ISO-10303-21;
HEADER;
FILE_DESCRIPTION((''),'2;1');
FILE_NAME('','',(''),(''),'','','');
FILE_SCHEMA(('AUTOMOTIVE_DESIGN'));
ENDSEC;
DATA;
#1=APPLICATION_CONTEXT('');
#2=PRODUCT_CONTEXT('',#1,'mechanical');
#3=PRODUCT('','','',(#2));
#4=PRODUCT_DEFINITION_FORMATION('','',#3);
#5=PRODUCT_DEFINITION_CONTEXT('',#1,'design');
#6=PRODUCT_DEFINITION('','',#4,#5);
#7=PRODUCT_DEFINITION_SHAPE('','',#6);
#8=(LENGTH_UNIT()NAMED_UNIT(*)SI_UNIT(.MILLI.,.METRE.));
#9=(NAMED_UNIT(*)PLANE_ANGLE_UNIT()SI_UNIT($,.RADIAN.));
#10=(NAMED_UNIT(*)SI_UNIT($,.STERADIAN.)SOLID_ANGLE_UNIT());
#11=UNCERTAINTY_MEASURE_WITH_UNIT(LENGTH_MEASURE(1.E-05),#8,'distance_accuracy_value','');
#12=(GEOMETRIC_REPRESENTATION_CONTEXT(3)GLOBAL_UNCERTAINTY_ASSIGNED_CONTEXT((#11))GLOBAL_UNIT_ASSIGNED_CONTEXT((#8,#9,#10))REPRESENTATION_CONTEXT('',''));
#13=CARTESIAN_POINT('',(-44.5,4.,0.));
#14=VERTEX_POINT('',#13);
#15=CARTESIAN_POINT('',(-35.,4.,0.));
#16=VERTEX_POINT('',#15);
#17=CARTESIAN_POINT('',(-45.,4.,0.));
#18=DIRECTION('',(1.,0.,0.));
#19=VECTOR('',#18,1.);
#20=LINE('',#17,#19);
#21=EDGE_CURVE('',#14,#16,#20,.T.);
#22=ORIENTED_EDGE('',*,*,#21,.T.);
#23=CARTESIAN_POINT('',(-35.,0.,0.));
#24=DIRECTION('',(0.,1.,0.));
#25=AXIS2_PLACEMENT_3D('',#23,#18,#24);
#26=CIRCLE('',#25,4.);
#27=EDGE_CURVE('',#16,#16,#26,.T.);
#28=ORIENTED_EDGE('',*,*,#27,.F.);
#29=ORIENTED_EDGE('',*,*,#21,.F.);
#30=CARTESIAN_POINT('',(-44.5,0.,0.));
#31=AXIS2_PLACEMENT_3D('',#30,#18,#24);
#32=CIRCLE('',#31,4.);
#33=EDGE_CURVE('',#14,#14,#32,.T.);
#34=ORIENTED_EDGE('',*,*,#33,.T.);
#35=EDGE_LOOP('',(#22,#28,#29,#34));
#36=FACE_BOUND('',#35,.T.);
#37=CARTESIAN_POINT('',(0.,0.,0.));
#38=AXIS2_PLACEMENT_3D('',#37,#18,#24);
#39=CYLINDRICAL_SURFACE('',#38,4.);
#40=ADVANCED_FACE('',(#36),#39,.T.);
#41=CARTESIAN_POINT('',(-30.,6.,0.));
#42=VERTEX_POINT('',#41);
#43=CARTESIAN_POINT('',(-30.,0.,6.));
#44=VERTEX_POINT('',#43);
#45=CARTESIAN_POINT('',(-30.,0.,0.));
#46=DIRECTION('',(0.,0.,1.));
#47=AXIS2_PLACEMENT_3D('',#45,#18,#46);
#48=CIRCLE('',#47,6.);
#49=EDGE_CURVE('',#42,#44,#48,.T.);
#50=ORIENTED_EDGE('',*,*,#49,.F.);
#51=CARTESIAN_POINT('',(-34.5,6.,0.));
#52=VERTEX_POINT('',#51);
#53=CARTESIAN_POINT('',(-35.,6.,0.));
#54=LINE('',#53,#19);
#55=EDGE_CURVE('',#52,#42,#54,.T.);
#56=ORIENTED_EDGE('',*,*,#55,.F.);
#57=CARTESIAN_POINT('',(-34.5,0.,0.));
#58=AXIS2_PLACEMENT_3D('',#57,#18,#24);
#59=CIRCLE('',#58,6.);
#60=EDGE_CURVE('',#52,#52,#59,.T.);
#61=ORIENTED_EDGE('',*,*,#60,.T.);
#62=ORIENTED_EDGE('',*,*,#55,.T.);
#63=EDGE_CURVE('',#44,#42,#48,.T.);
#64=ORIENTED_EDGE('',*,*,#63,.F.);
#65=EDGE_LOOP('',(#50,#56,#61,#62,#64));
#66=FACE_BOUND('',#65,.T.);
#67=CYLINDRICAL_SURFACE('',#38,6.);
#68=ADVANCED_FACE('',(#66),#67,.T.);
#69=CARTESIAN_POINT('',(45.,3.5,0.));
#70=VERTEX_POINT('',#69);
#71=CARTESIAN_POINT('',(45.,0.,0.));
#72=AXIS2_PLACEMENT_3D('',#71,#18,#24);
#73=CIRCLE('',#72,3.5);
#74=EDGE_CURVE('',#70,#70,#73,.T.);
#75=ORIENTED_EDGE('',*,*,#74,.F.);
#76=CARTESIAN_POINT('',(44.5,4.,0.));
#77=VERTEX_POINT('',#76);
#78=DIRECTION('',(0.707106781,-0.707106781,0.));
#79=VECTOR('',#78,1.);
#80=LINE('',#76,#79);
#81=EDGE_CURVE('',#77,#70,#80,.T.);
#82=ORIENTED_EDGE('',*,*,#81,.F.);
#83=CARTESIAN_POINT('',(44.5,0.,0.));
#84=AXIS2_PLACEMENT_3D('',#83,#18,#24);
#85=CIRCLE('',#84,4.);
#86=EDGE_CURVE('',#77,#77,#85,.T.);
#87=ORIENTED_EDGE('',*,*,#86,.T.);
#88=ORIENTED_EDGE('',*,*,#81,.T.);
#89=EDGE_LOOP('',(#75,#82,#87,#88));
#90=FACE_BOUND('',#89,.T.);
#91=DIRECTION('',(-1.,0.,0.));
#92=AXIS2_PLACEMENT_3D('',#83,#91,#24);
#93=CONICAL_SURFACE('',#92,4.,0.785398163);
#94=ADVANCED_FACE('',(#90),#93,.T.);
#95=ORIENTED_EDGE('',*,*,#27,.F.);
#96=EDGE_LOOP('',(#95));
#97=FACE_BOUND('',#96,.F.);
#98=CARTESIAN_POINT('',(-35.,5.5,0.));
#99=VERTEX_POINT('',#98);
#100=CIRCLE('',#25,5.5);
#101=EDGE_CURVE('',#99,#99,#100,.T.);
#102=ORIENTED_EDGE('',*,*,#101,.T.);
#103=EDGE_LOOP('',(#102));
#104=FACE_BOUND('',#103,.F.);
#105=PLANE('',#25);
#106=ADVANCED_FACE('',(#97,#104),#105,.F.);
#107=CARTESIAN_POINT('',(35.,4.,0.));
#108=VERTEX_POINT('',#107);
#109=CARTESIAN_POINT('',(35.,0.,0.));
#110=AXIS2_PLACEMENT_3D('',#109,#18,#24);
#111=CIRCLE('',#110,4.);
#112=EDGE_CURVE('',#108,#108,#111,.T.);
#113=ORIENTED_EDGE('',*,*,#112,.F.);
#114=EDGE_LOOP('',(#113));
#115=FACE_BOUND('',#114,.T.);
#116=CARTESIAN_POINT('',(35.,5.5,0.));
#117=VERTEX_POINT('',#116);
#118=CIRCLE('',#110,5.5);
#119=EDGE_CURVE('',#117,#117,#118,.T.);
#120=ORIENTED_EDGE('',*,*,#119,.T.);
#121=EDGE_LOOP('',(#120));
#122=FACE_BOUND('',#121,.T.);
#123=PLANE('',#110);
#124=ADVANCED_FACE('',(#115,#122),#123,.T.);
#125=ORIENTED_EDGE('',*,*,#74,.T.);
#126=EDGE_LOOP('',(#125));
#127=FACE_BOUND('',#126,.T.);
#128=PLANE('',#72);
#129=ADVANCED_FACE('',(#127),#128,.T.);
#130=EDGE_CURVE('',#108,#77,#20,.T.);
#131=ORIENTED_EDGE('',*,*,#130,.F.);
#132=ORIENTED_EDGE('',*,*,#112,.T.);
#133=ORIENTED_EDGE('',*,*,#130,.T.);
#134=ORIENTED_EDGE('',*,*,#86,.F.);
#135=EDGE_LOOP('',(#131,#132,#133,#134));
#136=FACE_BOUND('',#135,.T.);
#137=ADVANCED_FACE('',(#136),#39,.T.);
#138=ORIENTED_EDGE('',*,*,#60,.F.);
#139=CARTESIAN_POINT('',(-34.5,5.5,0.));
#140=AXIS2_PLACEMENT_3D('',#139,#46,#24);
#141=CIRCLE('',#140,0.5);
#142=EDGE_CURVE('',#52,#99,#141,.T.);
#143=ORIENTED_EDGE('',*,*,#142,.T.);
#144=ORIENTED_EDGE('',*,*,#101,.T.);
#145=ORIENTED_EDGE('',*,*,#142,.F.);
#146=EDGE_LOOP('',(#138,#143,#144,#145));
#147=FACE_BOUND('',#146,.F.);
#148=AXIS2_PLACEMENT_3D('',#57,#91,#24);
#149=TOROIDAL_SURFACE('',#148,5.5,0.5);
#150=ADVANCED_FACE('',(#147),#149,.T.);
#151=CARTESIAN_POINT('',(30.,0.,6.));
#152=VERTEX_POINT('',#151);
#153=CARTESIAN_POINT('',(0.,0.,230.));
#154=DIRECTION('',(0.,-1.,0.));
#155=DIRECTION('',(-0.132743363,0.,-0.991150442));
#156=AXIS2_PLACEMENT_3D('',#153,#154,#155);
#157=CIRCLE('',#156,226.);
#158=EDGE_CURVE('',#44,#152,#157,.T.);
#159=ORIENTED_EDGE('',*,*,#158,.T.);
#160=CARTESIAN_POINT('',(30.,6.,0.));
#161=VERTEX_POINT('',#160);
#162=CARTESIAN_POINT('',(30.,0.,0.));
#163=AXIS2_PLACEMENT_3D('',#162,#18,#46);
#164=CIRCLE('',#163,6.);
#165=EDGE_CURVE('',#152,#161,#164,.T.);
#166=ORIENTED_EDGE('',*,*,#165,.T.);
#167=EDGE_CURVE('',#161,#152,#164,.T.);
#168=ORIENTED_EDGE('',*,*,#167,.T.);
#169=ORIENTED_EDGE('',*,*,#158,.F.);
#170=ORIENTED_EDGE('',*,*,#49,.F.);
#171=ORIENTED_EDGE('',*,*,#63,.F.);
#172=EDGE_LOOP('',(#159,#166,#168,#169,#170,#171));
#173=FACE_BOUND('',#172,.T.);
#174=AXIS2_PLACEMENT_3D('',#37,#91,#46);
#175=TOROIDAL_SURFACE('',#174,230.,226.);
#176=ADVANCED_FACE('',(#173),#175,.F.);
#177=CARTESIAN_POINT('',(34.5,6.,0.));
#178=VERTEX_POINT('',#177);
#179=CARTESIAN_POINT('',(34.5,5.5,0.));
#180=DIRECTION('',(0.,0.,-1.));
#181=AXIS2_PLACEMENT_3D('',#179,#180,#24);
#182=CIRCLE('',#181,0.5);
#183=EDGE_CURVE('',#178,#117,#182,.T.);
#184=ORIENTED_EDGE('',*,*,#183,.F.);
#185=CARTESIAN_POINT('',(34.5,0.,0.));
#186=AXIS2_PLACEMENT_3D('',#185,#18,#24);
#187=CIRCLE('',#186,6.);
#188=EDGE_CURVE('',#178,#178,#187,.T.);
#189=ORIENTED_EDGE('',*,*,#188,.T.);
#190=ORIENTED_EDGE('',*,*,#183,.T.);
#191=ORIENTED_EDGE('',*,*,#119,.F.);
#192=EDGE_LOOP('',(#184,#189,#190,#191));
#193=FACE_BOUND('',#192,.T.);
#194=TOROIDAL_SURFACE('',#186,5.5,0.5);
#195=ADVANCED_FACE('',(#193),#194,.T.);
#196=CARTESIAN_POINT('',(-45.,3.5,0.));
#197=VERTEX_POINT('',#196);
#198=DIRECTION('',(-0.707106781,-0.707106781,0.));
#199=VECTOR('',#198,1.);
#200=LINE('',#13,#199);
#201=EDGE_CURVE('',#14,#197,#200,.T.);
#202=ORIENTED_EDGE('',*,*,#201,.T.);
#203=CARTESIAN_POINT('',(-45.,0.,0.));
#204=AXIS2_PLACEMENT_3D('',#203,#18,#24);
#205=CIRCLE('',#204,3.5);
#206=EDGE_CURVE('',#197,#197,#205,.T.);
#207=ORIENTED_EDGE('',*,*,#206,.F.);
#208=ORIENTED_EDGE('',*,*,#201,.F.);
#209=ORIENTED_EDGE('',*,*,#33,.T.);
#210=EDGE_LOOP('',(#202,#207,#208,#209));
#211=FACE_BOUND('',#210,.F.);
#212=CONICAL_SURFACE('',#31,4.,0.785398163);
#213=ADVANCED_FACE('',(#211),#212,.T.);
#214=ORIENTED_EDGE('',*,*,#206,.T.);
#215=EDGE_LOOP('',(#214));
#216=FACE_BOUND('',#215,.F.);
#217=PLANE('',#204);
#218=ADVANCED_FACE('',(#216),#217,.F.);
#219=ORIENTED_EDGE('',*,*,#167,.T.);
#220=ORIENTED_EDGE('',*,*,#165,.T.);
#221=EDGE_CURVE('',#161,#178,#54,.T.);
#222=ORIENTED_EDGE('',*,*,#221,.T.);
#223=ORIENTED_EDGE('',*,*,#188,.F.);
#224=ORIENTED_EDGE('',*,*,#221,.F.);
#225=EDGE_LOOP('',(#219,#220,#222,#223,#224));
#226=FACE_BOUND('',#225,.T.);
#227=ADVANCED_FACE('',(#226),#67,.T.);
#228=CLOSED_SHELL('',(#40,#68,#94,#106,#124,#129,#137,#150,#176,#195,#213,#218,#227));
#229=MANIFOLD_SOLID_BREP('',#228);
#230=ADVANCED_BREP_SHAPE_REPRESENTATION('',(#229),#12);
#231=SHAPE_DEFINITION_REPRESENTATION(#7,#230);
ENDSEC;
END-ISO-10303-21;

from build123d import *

# Parameters (mm, degrees)
F0_R     = 4
F1_DEPTH = 45
F2_R     = 6
F3_DEPTH = 35
F7_R     = 0.5
F8_SIZE  = 0.5


with BuildPart() as f1:
    # F0 (on Right) → F1 (new body, symmetric)
    with BuildSketch(Plane.YZ):
        Circle(F0_R)
    extrude(amount=F1_DEPTH, both=True)

    # F2 (on Right) → F3 (join, symmetric)
    with BuildSketch(Plane.YZ):
        Circle(F2_R)
    extrude(amount=F3_DEPTH, both=True)

    # F4 (on Front) → F6 (revolve, cut)
    with BuildSketch(Plane.XZ):
        with BuildLine():
            Line((30, 6), (-30, 6))
            ThreePointArc((-30, 6), (0, 4), (30, 6))
        make_face()
    revolve(axis=Axis((12.5838983804, 0, 0), (1, 0, 0)), mode=Mode.SUBTRACT)

    # F7
    f7_edges = [f1.edges().sort_by_distance(p)[0] for p in [
        (-35, -6, 0),
        (35, -6, 0),
    ]]
    fillet(f7_edges, radius=F7_R)

    # F8
    f8_edges = [f1.edges().sort_by_distance(p)[0] for p in [
        (-45, -4, 0),
        (45, -4, 0),
    ]]
    chamfer(f8_edges, length=F8_SIZE)


solid = f1.part
